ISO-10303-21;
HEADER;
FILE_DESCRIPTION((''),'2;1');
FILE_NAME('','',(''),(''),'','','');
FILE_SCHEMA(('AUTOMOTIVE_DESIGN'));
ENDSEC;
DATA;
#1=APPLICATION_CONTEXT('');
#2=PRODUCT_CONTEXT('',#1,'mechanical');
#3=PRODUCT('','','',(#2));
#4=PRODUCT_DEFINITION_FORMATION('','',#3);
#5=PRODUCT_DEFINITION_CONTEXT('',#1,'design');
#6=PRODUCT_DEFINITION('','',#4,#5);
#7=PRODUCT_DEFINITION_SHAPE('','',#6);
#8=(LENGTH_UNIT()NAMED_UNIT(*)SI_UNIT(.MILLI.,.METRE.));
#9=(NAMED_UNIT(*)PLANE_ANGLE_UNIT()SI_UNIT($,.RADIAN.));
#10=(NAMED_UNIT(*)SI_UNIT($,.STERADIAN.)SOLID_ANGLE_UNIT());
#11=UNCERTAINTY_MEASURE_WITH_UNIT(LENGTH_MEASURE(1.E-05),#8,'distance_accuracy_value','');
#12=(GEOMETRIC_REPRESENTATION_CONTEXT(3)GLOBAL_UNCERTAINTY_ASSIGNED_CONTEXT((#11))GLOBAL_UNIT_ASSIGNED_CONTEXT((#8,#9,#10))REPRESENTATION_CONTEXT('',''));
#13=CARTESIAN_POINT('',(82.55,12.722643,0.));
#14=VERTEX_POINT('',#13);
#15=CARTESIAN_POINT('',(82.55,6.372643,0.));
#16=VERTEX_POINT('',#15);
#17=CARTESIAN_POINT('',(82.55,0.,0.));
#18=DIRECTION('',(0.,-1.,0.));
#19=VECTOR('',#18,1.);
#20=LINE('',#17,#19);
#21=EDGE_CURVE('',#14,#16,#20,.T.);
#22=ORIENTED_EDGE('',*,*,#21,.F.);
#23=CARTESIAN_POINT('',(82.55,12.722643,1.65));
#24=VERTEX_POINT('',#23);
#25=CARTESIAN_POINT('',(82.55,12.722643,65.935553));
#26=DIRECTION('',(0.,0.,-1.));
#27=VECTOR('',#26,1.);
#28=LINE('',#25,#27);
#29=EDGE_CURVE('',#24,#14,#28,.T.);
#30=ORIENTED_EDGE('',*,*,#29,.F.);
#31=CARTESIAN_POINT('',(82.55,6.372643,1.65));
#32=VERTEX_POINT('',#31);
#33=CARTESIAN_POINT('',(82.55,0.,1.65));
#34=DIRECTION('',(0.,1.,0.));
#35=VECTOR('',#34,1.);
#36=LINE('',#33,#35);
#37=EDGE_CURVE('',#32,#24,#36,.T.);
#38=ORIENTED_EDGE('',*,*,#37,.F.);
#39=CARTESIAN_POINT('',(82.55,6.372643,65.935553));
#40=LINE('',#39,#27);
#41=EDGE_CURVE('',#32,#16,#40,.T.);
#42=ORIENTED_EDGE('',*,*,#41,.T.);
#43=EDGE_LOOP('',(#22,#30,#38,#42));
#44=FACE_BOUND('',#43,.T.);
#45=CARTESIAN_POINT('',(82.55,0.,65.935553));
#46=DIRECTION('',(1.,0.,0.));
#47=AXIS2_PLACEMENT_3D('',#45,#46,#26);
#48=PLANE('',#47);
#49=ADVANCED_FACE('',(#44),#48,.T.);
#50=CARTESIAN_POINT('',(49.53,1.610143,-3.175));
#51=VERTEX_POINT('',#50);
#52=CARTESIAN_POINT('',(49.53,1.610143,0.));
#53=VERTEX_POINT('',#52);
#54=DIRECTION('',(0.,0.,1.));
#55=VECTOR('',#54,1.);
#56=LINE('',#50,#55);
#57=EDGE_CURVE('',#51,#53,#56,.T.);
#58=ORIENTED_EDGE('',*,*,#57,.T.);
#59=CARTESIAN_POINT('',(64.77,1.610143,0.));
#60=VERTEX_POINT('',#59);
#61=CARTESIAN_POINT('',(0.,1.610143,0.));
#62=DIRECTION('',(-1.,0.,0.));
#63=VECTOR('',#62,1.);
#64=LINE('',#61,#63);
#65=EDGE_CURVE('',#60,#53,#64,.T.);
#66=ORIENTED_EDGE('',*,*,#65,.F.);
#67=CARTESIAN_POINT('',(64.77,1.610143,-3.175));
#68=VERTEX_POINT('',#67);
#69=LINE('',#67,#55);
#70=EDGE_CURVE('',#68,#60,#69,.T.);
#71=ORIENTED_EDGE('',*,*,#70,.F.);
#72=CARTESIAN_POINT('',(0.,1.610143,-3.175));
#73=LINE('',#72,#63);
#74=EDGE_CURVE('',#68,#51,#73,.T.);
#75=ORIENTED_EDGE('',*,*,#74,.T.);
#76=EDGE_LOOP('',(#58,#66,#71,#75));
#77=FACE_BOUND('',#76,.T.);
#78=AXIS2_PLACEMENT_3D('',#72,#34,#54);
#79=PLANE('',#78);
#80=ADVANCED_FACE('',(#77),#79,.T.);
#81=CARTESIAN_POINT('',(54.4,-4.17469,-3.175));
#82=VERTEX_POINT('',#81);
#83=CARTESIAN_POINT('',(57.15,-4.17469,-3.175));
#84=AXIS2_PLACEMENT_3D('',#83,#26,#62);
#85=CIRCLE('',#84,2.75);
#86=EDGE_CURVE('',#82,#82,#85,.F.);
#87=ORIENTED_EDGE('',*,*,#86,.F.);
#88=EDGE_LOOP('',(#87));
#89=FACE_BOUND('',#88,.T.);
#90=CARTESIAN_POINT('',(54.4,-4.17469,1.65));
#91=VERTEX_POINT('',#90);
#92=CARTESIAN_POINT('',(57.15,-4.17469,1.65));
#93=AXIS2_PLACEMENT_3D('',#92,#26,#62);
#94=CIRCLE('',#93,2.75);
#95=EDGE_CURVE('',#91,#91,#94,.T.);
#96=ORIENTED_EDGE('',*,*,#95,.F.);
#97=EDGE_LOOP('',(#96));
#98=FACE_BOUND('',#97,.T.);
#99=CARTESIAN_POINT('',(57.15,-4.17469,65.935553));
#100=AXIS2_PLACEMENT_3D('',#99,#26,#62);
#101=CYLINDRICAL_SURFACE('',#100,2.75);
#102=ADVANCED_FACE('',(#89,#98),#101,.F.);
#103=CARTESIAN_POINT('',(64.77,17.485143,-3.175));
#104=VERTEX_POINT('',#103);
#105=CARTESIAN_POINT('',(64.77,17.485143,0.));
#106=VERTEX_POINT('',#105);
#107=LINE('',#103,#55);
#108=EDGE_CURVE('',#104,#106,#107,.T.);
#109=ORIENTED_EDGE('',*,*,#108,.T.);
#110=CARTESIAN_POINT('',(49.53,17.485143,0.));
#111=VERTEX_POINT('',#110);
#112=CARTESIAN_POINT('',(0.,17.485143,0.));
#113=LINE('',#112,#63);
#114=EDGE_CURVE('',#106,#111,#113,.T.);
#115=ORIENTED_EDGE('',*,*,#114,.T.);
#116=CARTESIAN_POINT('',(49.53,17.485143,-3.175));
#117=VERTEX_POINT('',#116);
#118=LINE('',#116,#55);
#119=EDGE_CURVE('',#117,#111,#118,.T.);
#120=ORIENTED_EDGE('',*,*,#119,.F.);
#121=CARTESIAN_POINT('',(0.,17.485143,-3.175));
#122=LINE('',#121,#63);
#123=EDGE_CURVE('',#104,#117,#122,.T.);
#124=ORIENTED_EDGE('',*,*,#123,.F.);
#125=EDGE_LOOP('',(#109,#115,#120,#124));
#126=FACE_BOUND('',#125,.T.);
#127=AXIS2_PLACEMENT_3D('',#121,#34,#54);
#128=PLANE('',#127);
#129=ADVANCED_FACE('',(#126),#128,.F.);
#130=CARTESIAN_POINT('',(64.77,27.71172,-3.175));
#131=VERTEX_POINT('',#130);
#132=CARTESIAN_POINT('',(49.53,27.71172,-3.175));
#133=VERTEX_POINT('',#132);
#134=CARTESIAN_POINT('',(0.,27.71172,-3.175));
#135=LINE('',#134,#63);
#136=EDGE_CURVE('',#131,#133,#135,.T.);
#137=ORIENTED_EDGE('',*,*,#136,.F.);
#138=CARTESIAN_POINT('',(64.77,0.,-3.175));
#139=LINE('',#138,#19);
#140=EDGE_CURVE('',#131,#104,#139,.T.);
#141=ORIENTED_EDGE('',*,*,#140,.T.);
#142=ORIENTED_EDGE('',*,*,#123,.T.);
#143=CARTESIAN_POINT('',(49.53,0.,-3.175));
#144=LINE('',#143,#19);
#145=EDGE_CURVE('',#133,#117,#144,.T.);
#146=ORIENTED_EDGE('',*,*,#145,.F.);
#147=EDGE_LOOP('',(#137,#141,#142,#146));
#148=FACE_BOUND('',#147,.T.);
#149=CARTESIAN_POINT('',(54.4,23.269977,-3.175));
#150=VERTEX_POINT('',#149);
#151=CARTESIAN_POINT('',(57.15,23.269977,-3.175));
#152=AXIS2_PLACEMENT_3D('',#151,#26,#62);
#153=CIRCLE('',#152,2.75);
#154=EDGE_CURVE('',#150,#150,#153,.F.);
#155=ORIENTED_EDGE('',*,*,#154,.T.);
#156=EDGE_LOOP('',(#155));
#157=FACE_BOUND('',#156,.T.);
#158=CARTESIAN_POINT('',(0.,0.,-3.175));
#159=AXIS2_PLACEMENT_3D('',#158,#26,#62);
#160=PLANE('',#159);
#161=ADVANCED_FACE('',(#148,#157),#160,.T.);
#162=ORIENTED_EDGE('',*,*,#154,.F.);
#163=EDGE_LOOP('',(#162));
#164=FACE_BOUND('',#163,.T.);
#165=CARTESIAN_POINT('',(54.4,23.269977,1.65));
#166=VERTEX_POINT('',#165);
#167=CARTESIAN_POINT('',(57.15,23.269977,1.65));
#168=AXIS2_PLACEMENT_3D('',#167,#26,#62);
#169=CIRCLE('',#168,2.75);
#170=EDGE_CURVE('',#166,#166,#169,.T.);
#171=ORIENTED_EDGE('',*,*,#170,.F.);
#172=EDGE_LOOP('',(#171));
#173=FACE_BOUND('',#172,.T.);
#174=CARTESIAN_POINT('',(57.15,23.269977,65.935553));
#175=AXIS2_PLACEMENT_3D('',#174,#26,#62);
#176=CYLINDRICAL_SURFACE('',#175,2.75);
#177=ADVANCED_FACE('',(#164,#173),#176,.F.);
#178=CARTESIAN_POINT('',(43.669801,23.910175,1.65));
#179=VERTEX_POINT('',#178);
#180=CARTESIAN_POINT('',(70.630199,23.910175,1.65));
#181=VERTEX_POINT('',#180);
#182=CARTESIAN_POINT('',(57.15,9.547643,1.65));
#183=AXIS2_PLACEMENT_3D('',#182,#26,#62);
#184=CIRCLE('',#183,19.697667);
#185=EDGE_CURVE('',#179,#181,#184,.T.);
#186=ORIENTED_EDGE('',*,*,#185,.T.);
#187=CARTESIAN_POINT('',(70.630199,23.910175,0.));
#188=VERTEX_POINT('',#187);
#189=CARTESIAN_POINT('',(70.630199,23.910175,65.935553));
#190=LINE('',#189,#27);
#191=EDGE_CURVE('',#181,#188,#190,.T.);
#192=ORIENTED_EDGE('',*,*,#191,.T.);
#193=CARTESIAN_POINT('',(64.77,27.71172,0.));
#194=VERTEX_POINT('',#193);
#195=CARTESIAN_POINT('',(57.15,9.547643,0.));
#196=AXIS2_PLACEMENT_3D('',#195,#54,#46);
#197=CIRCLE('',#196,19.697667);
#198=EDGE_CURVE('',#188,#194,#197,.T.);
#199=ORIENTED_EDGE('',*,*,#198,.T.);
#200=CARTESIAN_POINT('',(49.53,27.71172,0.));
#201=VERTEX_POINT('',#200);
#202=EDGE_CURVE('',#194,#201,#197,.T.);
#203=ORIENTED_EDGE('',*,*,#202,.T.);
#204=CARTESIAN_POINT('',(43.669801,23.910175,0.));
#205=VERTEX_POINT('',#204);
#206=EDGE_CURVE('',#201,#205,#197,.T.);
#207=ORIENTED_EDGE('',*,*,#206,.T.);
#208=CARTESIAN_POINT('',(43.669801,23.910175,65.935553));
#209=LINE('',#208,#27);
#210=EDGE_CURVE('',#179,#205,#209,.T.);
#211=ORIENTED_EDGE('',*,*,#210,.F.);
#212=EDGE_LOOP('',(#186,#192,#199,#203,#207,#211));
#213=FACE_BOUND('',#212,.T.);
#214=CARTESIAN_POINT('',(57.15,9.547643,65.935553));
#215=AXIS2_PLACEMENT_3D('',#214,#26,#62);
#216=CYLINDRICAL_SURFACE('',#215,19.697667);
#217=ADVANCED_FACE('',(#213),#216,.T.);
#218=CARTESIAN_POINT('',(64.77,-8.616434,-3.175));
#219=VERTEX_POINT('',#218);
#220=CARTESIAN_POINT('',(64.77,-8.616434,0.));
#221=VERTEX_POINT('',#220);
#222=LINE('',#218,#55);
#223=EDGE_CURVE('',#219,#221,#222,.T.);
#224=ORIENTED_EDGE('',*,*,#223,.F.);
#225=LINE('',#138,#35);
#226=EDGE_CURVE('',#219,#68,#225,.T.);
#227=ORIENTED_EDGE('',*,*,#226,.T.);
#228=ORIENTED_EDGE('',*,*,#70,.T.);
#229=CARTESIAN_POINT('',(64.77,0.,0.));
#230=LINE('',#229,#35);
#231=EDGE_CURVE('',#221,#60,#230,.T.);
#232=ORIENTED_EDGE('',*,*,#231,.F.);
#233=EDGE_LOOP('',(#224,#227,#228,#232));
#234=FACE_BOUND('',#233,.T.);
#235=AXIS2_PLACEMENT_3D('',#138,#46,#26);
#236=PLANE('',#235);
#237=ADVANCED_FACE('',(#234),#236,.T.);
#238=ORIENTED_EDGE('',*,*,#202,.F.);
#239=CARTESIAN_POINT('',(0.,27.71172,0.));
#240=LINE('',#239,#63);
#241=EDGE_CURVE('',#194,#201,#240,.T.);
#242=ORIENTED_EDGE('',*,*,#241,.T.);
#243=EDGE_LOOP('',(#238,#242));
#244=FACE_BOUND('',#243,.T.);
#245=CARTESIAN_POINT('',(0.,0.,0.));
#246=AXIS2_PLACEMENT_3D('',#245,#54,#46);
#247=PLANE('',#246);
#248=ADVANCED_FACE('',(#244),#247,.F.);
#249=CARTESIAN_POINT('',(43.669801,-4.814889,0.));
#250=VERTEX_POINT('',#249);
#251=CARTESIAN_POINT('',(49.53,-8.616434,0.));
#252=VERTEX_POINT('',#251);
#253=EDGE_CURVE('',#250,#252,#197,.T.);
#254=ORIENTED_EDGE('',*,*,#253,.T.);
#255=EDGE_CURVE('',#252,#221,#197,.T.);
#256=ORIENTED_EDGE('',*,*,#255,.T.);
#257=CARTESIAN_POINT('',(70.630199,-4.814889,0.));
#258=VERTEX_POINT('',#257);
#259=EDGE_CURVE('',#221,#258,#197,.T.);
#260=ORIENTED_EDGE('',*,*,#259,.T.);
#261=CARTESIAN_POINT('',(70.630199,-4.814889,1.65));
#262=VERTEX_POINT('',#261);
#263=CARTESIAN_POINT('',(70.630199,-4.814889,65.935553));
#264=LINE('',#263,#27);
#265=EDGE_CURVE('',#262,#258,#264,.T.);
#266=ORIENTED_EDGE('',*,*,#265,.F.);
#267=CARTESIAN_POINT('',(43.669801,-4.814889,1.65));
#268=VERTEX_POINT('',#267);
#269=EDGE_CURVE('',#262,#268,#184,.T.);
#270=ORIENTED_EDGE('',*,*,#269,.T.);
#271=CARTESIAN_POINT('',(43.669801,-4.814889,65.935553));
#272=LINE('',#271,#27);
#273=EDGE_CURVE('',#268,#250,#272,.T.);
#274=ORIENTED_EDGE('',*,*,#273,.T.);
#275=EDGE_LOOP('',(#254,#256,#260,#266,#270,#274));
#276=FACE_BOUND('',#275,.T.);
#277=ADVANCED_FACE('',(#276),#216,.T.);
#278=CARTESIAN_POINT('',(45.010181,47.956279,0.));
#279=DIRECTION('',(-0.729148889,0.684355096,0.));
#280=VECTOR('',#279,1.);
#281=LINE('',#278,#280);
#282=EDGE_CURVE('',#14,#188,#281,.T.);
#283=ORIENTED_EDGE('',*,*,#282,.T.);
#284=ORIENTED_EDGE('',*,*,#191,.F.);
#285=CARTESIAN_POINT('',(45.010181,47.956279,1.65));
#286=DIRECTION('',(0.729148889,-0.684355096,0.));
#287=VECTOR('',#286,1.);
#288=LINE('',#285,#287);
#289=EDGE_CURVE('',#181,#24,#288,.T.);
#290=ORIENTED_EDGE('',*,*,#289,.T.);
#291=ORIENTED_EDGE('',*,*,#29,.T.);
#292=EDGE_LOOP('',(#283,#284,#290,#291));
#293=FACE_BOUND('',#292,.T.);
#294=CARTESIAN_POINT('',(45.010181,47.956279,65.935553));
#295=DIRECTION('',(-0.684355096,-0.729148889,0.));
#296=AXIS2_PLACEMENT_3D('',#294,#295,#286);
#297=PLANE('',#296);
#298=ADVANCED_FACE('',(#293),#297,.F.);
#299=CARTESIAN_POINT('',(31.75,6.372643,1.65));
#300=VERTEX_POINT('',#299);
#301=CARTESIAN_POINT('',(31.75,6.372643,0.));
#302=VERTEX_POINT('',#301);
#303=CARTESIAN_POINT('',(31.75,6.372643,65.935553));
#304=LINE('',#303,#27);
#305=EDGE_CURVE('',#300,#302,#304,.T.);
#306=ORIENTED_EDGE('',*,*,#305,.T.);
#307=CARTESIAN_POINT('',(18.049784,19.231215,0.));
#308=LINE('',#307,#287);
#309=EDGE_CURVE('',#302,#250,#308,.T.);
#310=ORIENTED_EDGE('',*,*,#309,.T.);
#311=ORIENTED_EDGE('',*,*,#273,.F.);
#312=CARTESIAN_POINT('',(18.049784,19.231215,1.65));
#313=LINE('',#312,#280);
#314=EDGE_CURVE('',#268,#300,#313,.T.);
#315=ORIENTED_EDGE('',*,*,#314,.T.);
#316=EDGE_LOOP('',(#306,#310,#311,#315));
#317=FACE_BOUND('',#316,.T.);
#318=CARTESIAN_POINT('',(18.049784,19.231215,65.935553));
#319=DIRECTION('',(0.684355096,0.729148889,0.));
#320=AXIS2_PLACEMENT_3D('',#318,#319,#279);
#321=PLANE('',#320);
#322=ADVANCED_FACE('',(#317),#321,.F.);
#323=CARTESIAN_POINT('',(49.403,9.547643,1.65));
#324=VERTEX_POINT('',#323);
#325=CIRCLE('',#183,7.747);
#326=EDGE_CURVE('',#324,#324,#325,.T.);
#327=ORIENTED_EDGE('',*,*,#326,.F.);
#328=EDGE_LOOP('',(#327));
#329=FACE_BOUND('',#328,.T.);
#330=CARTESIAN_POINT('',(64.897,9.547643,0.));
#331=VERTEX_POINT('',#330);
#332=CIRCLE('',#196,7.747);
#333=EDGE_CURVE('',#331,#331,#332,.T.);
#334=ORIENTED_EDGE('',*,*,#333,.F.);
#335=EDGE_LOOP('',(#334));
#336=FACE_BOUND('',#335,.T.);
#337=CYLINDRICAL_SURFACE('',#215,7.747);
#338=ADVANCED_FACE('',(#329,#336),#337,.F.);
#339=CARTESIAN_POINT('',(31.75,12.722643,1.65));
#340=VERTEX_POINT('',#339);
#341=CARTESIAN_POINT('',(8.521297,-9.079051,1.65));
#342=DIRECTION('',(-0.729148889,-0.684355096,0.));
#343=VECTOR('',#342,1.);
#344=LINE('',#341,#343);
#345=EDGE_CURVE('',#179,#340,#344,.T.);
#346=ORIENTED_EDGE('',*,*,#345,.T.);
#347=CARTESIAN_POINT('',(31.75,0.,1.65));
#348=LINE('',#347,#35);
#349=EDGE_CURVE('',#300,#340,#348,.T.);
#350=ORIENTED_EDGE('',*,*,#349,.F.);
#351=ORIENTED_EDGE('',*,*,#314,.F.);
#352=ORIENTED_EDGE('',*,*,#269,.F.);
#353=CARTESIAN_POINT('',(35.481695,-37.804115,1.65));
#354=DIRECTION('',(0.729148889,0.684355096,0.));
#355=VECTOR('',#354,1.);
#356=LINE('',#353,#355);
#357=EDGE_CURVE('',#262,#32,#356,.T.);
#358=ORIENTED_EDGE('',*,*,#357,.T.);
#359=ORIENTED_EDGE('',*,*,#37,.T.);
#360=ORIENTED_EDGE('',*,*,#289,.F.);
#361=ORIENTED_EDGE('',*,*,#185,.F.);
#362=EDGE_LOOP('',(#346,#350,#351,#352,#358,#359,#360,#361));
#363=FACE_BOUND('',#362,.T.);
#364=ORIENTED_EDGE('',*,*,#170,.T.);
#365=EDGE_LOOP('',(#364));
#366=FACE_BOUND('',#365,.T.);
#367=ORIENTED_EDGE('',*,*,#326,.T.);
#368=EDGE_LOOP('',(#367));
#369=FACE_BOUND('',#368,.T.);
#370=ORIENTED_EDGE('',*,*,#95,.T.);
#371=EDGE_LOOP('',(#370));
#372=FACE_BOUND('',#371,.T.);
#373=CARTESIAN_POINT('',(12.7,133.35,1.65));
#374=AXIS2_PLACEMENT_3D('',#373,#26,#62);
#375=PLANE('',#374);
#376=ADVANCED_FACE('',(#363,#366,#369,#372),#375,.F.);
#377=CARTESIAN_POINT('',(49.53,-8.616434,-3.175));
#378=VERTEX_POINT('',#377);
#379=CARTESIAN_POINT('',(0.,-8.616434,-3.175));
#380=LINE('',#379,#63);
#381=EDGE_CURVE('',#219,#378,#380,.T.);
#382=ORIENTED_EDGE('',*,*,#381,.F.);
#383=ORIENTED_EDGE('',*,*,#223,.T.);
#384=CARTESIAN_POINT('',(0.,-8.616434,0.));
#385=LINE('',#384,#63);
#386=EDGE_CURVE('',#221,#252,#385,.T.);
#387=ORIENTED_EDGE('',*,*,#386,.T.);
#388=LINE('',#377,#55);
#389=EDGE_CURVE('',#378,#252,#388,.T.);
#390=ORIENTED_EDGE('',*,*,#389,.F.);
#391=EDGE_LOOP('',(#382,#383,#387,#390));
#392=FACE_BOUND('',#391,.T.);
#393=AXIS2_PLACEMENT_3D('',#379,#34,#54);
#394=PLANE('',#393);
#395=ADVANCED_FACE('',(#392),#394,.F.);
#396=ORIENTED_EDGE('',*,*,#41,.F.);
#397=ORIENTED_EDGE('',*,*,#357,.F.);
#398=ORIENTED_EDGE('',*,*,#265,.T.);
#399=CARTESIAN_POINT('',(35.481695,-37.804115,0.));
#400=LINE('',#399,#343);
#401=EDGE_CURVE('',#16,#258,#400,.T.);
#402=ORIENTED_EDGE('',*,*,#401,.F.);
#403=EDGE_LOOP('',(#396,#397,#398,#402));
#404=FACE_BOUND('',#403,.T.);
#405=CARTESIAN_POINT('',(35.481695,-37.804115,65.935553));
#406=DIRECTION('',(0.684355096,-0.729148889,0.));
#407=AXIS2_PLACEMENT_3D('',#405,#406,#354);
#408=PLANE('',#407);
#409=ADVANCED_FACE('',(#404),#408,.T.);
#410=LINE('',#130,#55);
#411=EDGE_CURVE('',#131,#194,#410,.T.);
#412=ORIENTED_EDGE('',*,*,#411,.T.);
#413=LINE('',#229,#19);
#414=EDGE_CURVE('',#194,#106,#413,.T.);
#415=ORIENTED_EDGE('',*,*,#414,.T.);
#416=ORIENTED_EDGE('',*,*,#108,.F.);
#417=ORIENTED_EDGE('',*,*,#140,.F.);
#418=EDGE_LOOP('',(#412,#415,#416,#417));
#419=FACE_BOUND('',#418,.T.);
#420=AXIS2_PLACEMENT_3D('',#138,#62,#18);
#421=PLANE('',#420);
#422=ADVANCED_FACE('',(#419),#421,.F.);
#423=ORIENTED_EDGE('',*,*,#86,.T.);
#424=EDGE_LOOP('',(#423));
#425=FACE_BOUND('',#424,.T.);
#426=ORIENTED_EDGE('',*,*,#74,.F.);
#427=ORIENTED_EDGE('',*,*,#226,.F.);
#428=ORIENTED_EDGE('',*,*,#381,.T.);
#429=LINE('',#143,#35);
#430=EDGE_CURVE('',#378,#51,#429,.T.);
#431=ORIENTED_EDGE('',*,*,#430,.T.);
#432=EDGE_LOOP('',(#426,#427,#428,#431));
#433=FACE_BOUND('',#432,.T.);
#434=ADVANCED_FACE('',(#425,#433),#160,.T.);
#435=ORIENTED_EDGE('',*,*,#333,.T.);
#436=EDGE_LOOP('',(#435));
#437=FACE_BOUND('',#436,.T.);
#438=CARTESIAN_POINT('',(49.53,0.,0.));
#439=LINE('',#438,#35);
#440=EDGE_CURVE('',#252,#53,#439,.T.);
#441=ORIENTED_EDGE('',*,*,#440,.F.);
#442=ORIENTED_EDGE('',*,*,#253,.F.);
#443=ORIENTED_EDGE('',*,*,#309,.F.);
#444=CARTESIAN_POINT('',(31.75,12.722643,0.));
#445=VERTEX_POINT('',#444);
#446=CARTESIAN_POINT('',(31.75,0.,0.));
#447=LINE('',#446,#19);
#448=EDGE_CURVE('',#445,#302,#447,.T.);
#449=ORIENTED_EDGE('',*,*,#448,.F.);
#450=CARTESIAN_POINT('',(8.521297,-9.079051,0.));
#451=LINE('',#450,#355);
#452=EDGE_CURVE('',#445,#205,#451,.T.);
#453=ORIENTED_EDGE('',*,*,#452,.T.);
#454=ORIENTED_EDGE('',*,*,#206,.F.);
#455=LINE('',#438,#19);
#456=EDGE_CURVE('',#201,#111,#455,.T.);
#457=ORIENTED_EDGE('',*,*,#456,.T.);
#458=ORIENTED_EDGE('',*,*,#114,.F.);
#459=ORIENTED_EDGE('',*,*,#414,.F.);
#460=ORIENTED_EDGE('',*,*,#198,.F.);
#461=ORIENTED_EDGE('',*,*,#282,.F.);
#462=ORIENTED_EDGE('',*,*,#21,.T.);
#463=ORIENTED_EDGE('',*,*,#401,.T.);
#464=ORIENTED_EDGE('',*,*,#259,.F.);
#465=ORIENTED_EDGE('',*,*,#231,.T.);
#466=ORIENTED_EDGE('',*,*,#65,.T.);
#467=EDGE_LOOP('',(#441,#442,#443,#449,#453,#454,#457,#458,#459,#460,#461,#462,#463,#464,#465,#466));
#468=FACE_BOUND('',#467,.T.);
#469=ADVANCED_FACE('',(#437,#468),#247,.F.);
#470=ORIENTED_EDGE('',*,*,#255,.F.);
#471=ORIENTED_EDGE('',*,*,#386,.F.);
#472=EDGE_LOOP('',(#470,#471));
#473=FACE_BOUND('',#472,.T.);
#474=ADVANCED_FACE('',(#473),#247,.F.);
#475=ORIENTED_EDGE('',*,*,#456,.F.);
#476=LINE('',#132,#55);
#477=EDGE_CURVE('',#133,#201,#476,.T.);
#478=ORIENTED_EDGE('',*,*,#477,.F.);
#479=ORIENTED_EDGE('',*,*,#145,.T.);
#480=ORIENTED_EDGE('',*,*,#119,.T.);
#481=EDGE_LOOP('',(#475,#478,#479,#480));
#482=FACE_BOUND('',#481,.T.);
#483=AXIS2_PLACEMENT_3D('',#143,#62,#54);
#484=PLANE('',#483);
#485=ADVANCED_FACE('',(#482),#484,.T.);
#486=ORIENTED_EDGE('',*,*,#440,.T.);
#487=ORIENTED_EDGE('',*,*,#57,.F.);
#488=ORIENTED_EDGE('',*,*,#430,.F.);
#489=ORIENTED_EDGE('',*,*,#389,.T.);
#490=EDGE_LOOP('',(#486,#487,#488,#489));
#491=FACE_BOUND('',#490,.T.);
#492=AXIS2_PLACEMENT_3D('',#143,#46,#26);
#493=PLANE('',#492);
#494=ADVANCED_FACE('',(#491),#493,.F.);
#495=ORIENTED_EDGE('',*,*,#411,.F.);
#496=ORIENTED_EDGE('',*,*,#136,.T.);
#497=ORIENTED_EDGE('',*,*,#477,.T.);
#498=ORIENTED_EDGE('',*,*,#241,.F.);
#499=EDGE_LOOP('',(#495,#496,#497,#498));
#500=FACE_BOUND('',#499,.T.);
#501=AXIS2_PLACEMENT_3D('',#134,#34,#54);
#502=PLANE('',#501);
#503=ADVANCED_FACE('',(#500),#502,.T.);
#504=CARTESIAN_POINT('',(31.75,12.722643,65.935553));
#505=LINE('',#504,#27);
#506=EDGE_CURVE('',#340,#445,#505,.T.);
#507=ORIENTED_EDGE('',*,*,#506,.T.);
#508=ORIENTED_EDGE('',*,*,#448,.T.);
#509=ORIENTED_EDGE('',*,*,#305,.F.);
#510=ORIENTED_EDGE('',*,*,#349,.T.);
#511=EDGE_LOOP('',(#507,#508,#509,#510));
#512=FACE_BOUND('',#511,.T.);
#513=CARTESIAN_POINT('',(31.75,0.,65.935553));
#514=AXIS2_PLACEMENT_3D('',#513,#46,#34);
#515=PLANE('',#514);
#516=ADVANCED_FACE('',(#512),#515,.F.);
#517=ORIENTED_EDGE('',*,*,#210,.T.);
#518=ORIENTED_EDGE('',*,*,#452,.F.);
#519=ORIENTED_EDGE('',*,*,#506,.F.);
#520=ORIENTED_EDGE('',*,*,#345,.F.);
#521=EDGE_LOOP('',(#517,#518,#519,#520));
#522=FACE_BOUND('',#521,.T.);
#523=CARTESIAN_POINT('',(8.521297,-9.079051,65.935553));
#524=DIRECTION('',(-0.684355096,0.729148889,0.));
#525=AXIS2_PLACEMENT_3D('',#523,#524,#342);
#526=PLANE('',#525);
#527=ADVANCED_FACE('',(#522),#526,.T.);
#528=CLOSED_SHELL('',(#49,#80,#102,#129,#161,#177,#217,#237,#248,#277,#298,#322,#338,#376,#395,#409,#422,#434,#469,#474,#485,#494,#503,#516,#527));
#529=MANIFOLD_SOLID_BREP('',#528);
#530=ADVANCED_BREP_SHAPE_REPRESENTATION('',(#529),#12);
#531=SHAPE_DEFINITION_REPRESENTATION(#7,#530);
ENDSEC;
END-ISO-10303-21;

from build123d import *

# Parameters (mm, degrees)
SKETCH1_R           = 7.747
SKETCH1_R_2         = 2.75
BOSS_EXTRUDE1_DEPTH = 1.65
BOSS_EXTRUDE3_START = 3.175
SKETCH2_W           = 15.24
SKETCH2_H           = 10.22657696
SKETCH2_R           = 2.75
BOSS_EXTRUDE3_DEPTH = 3.175


with BuildPart() as part:
    # Sketch1 → Boss-Extrude1 (new body)
    with BuildSketch(Plane.XY):
        with BuildLine():
            Line((43.669801091, 23.910175431), (31.75, 12.722643302))
            Line((31.75, 12.722643302), (31.75, 6.372643302))
            Line((31.75, 6.372643302), (43.669801091, -4.814888828))
            ThreePointArc((43.669801091, -4.814888828), (49.901216852, -8.767739159), (57.15, -10.150023865))
            ThreePointArc((57.15, -10.150023865), (64.398783148, -8.767739159), (70.630198909, -4.814888828))
            Line((70.630198909, -4.814888828), (82.55, 6.372643302))
            Line((82.55, 6.372643302), (82.55, 12.722643302))
            Line((82.55, 12.722643302), (70.630198909, 23.910175431))
            ThreePointArc((70.630198909, 23.910175431), (57.15, 29.245310468), (43.669801091, 23.910175431))
        make_face()
        with BuildLine():
            ThreePointArc((57.15, -1.424690282), (59.9, -4.174690282), (57.15, -6.924690282))
            ThreePointArc((57.15, -6.924690282), (54.4, -4.174690282), (57.15, -1.424690282))
        make_face(mode=Mode.SUBTRACT)
        with Locations(Location((57.15, 9.547643302, 0), (0, 0, 180))):
            Circle(SKETCH1_R, mode=Mode.SUBTRACT)
        with Locations(Location((57.15, 23.269976885, 0), (0, 0, 180))):
            Circle(SKETCH1_R_2, mode=Mode.SUBTRACT)
    extrude(amount=BOSS_EXTRUDE1_DEPTH)

    # Sketch2 → Boss-Extrude3 (add)
    # profile 1 of 2: a face of its own
    with BuildSketch(Plane(origin=(0, 0, 0), x_dir=(-1, 0, 0), z_dir=(0, 0, -1)).offset(BOSS_EXTRUDE3_START)):
        with Locations((-57.15, 22.598431782)):
            Rectangle(SKETCH2_W, SKETCH2_H)
        with Locations((-57.15, 23.269976885)):
            Circle(SKETCH2_R, mode=Mode.SUBTRACT)
    # profile 2 of 2: a face of its own
    with BuildSketch(Plane(origin=(0, 0, 0), x_dir=(-1, 0, 0), z_dir=(0, 0, -1)).offset(BOSS_EXTRUDE3_START)):
        with Locations((-57.15, -3.503145178)):
            Rectangle(SKETCH2_W, SKETCH2_H)
        with Locations((-57.15, -4.174690282)):
            Circle(SKETCH2_R, mode=Mode.SUBTRACT)
    extrude(amount=-BOSS_EXTRUDE3_DEPTH)


solid = part.part
